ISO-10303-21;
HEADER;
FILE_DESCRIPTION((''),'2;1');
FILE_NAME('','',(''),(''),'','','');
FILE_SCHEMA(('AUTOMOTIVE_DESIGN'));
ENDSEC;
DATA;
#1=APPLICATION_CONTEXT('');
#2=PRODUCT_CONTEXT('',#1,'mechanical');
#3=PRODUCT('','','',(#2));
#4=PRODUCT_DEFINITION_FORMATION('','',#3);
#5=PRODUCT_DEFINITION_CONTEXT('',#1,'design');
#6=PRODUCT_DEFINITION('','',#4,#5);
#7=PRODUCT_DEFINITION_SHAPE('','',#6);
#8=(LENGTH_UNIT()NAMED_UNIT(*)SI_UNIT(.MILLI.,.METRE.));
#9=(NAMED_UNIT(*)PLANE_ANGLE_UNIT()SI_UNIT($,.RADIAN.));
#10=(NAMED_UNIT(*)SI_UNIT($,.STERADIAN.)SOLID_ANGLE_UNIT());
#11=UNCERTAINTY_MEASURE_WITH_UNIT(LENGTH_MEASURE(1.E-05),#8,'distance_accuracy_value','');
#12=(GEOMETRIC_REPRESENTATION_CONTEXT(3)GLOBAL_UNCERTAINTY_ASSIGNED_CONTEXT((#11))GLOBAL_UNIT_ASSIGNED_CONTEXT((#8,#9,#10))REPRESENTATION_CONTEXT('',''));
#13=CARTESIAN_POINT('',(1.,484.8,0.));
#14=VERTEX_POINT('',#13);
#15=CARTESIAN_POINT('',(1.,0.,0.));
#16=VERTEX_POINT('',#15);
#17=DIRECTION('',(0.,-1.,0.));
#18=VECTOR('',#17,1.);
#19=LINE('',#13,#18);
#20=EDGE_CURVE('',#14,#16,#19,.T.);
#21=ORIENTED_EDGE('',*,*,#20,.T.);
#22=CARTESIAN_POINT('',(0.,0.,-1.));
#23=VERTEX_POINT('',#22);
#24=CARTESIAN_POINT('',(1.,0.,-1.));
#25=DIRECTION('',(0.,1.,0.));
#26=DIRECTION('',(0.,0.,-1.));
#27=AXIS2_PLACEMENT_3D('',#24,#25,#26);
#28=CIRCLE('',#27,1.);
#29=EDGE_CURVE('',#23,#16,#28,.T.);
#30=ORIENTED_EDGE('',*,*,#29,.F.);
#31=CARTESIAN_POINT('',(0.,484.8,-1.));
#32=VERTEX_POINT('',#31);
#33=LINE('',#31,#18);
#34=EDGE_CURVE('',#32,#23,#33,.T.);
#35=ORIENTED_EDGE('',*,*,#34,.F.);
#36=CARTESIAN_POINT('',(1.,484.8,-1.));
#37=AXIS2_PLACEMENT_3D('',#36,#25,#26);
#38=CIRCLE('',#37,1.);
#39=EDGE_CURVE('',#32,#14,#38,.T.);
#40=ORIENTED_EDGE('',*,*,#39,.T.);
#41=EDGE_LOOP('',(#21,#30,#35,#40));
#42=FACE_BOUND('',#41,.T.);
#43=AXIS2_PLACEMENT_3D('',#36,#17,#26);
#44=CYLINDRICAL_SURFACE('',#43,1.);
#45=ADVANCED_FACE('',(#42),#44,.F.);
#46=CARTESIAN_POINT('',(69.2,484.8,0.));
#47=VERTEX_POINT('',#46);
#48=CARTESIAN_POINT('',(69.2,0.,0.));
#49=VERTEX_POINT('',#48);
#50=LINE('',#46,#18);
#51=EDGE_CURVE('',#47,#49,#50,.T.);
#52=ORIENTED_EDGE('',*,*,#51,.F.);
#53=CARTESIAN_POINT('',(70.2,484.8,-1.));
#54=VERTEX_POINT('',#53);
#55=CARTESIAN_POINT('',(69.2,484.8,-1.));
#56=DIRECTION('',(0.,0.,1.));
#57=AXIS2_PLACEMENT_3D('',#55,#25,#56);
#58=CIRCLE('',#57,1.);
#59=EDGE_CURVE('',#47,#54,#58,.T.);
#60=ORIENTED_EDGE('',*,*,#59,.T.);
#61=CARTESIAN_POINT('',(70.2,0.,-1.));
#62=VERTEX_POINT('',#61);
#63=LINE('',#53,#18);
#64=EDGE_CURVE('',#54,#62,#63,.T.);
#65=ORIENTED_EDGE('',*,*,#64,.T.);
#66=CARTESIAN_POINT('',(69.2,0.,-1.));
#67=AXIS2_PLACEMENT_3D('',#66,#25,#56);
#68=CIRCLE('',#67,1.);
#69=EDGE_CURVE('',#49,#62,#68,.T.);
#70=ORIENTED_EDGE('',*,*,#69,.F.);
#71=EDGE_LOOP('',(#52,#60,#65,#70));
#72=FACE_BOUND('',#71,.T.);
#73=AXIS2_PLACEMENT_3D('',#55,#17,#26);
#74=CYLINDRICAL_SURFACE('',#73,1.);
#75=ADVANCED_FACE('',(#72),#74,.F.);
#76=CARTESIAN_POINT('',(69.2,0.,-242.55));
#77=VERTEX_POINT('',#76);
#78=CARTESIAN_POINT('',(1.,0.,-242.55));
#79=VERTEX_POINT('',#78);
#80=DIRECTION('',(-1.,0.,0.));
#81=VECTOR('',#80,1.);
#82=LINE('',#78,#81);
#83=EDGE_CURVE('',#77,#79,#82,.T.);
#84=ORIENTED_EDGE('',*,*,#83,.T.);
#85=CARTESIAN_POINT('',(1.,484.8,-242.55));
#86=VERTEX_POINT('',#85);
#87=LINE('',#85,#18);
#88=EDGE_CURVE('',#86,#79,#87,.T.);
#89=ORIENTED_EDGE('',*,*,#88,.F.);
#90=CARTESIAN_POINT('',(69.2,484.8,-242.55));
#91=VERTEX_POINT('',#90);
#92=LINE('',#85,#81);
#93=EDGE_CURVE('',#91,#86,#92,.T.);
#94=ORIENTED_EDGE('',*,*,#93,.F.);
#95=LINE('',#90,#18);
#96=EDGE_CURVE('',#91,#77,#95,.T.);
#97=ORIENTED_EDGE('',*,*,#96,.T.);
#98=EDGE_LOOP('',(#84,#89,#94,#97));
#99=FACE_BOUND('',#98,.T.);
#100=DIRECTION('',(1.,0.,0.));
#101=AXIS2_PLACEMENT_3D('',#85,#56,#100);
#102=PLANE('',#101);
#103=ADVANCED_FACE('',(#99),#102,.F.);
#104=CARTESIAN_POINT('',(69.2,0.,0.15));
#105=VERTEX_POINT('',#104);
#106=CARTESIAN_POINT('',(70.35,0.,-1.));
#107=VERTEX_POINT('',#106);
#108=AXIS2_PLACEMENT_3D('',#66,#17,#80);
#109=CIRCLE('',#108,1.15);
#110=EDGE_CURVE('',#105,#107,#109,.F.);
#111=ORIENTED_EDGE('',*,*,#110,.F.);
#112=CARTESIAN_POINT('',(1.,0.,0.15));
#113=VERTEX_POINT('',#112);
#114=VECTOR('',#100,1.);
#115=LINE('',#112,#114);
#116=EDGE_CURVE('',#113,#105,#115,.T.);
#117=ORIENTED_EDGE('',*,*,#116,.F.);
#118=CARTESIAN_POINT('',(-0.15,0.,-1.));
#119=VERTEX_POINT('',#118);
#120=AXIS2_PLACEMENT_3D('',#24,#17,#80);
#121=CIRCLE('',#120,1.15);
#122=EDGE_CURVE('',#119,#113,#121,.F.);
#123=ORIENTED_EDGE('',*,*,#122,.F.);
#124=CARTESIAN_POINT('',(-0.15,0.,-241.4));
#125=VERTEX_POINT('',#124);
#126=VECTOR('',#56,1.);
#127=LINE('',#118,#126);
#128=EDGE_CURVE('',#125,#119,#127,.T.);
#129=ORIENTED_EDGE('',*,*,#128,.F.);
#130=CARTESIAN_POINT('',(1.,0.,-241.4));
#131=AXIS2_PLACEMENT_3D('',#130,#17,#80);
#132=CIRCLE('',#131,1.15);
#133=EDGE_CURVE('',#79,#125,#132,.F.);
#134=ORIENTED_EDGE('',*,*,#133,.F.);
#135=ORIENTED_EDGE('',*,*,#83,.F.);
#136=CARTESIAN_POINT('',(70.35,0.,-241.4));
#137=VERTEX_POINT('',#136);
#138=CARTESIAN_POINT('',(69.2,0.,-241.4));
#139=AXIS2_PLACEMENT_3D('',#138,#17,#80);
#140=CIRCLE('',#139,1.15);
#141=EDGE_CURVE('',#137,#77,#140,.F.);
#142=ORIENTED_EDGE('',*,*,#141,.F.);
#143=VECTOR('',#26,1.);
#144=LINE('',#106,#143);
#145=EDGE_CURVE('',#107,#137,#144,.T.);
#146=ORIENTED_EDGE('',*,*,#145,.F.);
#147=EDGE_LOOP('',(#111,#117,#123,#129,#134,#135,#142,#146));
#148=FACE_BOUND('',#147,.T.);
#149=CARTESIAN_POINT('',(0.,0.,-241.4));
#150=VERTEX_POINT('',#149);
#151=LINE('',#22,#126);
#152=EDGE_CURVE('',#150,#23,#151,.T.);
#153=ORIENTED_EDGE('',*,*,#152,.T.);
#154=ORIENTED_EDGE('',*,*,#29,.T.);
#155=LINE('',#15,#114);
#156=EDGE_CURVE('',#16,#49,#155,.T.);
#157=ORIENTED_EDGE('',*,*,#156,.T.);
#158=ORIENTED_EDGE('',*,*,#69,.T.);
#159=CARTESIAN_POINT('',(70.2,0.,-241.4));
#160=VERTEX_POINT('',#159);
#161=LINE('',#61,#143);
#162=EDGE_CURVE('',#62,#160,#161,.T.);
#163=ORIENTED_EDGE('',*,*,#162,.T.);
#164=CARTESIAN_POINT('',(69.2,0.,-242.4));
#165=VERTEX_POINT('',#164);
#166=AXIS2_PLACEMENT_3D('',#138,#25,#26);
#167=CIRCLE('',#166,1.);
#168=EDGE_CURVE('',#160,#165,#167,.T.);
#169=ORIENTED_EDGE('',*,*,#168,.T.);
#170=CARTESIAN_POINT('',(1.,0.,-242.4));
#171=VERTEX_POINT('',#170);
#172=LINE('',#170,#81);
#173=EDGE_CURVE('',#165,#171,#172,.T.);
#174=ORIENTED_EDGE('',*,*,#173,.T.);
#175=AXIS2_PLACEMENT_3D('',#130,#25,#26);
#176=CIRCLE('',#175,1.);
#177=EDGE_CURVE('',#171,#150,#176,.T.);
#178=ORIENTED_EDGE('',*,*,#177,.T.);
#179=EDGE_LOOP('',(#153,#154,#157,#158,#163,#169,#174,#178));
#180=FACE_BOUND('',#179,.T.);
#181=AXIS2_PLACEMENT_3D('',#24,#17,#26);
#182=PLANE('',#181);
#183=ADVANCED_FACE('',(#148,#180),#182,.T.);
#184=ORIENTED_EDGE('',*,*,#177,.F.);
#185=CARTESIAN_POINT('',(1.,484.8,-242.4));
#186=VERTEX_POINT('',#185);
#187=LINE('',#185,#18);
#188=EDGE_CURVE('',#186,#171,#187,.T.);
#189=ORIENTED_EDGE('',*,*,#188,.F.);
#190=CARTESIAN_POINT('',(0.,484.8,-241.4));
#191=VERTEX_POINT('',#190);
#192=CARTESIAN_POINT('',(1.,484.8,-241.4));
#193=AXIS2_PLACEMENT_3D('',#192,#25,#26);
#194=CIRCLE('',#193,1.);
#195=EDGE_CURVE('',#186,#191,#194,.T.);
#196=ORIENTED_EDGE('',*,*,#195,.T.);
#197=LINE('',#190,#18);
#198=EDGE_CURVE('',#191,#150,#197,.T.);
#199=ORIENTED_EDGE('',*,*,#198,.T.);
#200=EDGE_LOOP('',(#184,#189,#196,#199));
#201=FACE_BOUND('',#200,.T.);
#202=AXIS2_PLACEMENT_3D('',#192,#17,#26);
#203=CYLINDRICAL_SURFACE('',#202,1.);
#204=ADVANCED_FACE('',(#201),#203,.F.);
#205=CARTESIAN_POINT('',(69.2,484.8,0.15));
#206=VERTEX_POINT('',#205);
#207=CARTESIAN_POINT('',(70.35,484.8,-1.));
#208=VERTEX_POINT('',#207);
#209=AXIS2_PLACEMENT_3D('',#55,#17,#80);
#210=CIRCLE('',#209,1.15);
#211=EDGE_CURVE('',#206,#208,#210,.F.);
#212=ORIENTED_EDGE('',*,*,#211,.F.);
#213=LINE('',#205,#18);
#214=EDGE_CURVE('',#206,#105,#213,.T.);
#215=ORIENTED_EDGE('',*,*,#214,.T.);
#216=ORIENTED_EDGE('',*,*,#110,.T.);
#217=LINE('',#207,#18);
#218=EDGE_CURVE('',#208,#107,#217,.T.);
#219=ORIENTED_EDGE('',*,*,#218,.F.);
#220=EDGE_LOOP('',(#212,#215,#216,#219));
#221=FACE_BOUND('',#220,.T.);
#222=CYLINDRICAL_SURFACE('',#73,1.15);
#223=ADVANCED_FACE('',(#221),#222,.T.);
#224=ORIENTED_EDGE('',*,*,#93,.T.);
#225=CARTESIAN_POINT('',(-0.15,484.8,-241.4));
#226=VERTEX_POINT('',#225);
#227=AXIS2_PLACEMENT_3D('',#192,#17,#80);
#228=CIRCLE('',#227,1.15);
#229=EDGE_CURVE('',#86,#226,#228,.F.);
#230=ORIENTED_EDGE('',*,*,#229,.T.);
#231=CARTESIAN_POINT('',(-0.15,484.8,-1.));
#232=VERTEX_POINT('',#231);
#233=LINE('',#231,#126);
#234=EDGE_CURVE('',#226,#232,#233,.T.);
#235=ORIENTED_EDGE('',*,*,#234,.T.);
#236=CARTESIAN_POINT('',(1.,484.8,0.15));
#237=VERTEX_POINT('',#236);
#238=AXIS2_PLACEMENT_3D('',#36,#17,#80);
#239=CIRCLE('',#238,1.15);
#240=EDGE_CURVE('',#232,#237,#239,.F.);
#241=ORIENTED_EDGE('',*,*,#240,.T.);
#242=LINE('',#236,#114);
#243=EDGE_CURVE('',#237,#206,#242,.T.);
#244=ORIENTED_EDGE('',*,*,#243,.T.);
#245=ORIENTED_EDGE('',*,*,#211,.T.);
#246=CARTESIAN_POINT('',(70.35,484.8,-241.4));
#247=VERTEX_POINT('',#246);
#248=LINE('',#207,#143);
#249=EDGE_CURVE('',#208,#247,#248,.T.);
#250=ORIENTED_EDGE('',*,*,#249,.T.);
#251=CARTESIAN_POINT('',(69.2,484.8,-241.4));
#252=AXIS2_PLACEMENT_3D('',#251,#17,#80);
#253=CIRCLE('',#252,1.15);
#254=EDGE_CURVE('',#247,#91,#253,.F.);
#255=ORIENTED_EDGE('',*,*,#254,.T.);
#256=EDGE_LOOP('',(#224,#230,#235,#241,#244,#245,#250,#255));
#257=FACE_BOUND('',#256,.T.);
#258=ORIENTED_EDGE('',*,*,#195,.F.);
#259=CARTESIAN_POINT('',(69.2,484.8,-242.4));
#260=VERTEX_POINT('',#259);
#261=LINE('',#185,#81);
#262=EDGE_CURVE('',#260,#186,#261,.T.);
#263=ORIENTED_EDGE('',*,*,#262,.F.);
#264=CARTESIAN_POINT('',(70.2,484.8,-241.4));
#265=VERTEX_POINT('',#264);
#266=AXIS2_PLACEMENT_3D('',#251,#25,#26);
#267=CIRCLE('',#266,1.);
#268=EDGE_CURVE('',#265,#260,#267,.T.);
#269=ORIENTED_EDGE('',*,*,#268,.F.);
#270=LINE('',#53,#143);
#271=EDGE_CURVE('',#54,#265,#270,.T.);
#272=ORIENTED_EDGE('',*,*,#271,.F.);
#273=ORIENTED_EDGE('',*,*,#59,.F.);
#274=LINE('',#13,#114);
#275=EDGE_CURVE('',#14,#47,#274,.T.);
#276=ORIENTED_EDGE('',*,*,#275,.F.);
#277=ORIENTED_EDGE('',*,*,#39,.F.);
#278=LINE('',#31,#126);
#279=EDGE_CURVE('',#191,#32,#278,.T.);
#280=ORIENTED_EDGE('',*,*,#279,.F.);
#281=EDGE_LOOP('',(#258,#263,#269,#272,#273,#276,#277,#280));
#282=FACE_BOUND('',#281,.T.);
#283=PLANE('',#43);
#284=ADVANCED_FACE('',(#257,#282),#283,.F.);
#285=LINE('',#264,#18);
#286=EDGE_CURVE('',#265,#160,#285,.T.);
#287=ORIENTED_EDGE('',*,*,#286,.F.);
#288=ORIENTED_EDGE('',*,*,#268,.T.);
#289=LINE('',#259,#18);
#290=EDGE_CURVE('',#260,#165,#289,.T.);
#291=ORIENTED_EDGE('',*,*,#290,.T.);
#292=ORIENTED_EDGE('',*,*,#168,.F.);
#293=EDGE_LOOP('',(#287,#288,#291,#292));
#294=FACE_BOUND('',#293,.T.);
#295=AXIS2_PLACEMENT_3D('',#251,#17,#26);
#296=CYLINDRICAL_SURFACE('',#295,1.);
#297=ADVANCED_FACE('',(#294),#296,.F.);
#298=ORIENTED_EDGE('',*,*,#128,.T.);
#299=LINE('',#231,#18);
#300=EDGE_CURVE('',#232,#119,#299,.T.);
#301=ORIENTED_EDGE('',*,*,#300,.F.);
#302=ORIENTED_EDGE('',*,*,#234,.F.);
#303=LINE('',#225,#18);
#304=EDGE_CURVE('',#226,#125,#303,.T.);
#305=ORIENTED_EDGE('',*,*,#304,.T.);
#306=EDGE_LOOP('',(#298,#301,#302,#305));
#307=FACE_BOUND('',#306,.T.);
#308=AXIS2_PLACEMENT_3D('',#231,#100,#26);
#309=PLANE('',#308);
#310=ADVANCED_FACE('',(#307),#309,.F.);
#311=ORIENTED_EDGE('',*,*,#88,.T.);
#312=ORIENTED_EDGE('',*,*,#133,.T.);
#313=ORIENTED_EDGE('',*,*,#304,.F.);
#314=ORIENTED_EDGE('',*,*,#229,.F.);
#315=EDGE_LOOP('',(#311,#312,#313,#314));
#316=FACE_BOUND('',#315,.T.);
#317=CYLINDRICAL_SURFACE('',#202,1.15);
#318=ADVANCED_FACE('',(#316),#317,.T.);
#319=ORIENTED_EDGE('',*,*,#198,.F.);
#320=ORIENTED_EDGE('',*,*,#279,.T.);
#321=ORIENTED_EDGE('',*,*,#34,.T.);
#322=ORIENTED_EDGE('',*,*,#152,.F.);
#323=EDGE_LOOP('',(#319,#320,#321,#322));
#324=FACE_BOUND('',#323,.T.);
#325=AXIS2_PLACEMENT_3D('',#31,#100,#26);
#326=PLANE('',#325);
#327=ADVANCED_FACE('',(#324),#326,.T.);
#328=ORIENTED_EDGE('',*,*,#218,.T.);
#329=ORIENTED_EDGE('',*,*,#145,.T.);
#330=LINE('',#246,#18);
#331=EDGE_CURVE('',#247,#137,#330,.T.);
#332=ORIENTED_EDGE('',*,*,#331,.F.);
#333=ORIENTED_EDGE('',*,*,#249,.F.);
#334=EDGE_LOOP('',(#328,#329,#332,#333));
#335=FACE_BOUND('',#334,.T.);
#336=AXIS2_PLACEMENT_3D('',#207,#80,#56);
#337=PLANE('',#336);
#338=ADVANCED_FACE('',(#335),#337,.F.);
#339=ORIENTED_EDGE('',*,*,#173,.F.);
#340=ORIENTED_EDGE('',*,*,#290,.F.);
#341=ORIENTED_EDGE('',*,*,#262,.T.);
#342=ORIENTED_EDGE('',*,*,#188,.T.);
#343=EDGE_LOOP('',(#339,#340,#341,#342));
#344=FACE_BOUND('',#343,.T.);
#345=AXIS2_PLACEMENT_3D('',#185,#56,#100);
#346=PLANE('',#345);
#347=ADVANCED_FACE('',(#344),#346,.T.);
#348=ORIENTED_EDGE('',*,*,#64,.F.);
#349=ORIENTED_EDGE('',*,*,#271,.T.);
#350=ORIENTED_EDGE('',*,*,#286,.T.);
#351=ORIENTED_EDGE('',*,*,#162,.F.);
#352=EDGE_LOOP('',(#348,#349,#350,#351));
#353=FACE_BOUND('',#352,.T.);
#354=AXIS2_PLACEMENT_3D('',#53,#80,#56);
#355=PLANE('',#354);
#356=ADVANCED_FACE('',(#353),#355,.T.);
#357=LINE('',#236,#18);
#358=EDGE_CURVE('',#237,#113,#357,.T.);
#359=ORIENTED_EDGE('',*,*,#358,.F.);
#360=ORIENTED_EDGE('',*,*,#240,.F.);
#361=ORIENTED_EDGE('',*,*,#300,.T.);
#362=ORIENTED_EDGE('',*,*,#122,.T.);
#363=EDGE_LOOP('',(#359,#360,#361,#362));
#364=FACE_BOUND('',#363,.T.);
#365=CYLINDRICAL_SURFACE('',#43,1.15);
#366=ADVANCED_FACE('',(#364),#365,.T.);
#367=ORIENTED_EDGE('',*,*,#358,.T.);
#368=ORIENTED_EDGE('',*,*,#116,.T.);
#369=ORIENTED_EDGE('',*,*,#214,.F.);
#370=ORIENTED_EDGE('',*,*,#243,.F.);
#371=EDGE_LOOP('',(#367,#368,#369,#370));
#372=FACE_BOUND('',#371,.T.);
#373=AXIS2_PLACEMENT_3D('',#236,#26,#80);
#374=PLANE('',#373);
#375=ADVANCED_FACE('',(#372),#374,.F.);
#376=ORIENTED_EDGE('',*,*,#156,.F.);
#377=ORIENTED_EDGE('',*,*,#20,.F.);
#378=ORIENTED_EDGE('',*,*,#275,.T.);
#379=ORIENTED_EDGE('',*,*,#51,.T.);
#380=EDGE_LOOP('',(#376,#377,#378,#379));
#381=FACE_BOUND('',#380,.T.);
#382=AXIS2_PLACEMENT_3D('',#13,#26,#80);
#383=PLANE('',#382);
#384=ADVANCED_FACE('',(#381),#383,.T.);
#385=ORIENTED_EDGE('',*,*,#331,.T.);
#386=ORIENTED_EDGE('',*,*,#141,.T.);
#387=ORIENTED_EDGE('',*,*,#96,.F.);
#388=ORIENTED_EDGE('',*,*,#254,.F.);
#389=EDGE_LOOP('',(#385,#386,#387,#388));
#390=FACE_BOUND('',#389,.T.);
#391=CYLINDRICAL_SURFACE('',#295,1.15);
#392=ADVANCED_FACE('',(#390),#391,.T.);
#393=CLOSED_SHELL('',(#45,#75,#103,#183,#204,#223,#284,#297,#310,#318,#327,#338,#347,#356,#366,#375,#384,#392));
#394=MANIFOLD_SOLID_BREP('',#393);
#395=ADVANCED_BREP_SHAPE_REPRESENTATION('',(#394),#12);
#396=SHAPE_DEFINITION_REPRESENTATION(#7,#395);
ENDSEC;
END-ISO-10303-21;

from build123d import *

# Parameters (mm, degrees)
EXTRUDE_THIN1_DEPTH = 484.8


with BuildPart() as part:
    # Sketch1 → Extrude-Thin1 (new body)
    with BuildSketch(Plane(origin=(0, 0, 0), x_dir=(1, 0, 0), z_dir=(0, 1, 0))):
        with BuildLine():
            Line((-0.15, 241.4), (-0.15, 1))
            ThreePointArc((-0.15, 1), (0.186827202, 0.186827202), (1, -0.15))
            Line((1, -0.15), (69.2, -0.15))
            ThreePointArc((69.2, -0.15), (70.013172798, 0.186827202), (70.35, 1))
            Line((70.35, 1), (70.35, 241.4))
            ThreePointArc((70.35, 241.4), (70.013172798, 242.213172798), (69.2, 242.55))
            Line((69.2, 242.55), (1, 242.55))
            ThreePointArc((1, 242.55), (0.186827202, 242.213172798), (-0.15, 241.4))
        make_face()
        with BuildLine():
            Line((0, 241.4), (0, 1))
            ThreePointArc((0, 1), (0.292893219, 0.292893219), (1, 0))
            Line((1, 0), (69.2, 0))
            ThreePointArc((69.2, 0), (69.907106781, 0.292893219), (70.2, 1))
            Line((70.2, 1), (70.2, 241.4))
            ThreePointArc((70.2, 241.4), (69.907106781, 242.107106781), (69.2, 242.4))
            Line((69.2, 242.4), (1, 242.4))
            ThreePointArc((1, 242.4), (0.292893219, 242.107106781), (0, 241.4))
        make_face(mode=Mode.SUBTRACT)
    extrude(amount=EXTRUDE_THIN1_DEPTH)


solid = part.part
